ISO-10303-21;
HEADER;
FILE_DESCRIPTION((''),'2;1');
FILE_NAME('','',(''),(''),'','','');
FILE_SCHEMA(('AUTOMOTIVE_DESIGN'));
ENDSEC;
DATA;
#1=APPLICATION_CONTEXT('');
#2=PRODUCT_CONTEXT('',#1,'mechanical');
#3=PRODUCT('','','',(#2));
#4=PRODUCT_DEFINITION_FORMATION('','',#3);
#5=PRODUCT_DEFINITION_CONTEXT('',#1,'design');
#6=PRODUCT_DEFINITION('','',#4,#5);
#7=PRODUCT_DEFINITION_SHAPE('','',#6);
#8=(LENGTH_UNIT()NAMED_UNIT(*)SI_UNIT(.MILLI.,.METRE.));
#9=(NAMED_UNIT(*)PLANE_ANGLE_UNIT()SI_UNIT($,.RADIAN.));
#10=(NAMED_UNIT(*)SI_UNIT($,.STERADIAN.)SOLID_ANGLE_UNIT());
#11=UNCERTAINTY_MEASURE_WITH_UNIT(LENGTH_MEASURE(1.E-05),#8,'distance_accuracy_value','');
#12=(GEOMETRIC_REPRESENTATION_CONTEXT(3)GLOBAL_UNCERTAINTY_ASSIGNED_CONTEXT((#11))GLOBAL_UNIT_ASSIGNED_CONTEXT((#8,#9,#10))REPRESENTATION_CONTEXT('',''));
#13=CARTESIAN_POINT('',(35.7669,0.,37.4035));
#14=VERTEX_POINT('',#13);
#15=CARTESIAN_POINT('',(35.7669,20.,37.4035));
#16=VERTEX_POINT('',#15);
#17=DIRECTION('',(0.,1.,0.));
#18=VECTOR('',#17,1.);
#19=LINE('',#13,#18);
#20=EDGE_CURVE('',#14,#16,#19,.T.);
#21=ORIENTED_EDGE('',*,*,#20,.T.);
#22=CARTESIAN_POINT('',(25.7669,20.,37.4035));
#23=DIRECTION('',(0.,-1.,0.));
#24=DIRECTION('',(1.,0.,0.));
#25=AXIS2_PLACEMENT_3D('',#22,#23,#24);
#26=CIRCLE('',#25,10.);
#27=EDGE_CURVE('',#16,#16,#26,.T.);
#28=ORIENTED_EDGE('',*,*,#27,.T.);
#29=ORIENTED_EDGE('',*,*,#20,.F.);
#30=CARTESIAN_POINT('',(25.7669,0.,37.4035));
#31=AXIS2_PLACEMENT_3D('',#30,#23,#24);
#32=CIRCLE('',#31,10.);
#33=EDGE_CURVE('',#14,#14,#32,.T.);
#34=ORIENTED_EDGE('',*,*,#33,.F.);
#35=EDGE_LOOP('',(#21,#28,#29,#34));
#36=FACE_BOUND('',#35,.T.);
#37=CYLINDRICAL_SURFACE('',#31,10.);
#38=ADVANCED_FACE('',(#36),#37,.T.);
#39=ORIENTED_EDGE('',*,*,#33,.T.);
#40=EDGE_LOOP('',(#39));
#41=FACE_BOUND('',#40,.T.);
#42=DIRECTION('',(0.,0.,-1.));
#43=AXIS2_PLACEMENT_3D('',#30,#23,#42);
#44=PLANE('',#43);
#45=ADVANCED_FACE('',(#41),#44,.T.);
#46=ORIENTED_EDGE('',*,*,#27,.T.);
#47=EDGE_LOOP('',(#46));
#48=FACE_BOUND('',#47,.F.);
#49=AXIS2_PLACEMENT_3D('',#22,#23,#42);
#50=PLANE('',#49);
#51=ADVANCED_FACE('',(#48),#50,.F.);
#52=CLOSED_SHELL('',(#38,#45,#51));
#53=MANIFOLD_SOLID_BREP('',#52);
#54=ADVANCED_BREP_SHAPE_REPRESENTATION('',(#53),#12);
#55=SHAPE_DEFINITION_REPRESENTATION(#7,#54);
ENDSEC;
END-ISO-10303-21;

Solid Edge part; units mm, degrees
sketch "Sketch1" plane through (0, 0, 0) normal (0, -1, 0) x (1, 0, 0)
  circle A0 centre (25.7669, 37.4035) radius 10
extrude "Protrusion1" add sketch "Sketch1" against normal blind 20
